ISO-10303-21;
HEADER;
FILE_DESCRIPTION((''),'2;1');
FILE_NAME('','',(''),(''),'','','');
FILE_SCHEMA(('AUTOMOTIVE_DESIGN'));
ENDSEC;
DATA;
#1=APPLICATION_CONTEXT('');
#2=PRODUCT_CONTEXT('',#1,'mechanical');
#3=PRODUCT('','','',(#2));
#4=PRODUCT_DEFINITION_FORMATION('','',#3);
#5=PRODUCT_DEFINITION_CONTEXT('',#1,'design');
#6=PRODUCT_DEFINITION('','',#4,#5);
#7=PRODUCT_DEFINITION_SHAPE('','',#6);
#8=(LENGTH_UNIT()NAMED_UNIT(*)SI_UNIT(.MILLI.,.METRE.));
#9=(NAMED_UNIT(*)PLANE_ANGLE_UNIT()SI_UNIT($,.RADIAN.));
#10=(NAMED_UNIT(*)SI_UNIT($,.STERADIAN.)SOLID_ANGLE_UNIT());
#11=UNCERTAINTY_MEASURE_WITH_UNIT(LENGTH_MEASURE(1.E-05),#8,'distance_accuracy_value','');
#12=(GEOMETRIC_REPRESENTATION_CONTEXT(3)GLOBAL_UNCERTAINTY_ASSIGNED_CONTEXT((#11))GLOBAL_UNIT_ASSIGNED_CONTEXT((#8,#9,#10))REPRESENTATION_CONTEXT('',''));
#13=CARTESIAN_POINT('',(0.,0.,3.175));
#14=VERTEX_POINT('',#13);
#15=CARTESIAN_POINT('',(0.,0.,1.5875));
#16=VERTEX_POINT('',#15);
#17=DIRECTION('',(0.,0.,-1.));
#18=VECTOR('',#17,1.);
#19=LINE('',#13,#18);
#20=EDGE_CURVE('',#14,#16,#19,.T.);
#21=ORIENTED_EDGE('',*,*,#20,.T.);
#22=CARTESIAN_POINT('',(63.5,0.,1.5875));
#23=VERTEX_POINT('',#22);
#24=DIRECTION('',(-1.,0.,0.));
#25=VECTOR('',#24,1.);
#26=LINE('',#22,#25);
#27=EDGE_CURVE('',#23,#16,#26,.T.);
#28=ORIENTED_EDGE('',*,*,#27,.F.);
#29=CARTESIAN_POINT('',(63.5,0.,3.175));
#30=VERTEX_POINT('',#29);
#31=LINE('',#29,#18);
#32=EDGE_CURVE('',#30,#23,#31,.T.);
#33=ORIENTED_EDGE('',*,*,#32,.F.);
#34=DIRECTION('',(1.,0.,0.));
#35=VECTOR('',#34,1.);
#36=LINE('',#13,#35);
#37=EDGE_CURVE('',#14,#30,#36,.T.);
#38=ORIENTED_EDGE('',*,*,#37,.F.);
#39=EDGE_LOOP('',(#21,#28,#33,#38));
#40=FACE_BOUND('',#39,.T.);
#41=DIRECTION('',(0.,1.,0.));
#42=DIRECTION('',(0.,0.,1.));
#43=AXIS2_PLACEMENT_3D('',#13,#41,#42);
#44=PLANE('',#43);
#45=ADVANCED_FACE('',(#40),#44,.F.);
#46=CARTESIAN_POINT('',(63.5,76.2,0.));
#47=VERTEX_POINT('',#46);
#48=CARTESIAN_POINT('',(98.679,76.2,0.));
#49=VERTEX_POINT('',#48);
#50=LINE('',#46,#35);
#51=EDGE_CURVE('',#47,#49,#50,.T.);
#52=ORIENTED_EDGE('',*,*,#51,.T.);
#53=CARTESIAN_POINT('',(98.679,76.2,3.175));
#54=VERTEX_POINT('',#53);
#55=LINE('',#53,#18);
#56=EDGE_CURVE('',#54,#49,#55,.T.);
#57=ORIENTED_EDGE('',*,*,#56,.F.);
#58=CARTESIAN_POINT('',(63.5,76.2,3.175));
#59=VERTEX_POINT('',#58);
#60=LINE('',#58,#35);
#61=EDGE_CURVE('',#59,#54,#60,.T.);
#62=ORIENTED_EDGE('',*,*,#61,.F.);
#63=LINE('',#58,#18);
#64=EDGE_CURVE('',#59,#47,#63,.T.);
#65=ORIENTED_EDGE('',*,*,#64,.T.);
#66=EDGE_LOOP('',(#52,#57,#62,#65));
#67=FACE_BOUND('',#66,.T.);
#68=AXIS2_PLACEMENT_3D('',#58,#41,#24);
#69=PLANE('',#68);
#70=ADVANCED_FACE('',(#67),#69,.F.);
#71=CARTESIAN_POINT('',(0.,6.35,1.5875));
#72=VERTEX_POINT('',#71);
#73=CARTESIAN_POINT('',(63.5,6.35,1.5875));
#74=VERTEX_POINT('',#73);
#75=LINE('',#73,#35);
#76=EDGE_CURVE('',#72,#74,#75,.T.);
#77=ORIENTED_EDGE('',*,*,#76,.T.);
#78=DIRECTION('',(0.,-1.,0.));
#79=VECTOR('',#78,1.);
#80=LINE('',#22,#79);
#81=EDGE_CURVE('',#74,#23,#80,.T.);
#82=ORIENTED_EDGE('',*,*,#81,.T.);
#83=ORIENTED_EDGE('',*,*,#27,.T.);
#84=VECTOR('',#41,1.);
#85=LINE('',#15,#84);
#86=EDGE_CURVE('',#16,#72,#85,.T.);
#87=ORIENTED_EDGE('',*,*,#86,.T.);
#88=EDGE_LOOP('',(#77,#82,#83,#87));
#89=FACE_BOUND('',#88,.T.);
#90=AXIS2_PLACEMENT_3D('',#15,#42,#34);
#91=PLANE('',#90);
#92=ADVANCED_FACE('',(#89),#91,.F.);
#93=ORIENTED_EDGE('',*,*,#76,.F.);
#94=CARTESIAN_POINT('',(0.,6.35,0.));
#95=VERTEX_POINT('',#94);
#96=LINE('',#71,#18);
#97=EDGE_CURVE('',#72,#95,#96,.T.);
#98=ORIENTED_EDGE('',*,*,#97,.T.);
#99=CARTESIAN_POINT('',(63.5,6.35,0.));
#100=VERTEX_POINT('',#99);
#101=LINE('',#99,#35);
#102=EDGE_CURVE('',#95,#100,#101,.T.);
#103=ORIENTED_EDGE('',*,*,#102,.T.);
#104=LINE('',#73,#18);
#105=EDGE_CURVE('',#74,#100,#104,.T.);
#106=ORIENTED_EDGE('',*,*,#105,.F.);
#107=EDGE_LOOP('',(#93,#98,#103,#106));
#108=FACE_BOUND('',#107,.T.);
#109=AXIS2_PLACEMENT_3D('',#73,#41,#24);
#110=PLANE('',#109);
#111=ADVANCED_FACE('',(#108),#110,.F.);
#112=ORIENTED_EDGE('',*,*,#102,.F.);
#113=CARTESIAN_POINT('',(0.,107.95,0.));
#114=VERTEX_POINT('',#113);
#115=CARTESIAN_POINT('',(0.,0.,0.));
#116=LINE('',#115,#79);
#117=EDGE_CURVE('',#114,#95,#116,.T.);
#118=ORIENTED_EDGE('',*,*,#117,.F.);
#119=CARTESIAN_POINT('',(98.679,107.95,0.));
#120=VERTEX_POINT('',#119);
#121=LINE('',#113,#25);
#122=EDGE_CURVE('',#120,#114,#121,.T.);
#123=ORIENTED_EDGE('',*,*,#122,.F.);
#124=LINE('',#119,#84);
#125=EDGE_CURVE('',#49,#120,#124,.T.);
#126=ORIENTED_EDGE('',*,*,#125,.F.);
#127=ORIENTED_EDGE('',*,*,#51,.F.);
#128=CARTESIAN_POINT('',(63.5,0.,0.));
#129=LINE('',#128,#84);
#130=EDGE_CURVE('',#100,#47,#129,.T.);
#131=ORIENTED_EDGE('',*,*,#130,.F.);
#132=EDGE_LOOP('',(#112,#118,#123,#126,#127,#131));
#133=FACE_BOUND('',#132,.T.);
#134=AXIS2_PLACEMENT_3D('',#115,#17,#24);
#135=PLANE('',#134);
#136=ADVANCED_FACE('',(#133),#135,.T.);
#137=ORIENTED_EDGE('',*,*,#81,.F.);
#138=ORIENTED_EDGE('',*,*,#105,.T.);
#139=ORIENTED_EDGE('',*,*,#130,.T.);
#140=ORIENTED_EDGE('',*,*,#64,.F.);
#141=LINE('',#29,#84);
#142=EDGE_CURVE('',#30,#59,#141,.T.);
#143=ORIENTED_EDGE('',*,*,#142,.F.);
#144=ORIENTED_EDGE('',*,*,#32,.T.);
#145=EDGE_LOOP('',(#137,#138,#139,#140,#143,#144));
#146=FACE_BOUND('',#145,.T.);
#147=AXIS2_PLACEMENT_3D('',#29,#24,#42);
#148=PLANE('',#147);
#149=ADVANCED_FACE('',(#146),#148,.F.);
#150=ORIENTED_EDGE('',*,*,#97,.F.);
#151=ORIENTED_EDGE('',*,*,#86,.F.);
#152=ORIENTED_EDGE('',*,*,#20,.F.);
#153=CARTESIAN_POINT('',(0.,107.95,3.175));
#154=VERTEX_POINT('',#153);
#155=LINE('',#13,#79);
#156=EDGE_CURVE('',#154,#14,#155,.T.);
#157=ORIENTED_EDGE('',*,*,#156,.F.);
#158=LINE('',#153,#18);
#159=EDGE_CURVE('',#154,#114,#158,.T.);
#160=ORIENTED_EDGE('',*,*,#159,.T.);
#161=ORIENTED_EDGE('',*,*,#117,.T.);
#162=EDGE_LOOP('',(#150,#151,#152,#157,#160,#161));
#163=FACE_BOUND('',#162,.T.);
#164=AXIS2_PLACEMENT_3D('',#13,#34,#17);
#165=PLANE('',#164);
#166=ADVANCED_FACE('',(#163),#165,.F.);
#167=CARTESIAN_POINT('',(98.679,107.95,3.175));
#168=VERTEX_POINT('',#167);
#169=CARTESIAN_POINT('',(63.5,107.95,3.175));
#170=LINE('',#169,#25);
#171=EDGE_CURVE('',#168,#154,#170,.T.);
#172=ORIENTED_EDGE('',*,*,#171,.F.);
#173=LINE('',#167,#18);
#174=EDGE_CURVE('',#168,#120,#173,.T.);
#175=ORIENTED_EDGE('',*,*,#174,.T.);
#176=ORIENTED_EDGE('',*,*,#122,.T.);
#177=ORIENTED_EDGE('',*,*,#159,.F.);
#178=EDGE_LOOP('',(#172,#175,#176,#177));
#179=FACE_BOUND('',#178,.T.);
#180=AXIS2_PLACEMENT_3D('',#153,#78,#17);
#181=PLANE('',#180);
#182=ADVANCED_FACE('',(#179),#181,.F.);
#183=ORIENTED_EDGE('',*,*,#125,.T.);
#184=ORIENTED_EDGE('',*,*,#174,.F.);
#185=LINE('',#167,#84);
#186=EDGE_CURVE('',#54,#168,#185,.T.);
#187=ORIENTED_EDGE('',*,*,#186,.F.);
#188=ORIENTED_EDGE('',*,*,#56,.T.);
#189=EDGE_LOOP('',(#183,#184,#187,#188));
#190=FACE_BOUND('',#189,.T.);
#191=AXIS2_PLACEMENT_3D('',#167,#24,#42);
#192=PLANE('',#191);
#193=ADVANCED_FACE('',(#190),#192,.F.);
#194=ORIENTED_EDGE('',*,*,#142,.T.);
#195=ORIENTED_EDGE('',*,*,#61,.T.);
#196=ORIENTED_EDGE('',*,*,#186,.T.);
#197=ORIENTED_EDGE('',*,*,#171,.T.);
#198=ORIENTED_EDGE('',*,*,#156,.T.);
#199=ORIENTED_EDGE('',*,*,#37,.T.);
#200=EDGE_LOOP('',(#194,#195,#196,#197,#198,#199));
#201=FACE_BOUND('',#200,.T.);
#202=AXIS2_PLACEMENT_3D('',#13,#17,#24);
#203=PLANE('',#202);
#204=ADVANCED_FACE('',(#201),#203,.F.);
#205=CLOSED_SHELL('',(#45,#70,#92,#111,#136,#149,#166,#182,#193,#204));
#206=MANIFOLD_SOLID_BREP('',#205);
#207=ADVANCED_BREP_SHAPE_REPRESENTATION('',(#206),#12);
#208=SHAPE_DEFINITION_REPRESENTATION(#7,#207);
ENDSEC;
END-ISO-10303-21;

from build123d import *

# Parameters (mm, degrees)
BOSS_EXTRUDE1_DEPTH = 3.175
SKETCH3_W           = 63.5
SKETCH3_H           = 6.35
CUT_EXTRUDE2_DEPTH  = 1.5875


with BuildPart() as part:
    # Sketch1 → Boss-Extrude1 (new body)
    with BuildSketch(Plane.XY):
        Polygon((0, 0), (63.5, 0), (63.5, 76.2), (98.679, 76.2), (98.679, 107.95), (63.5, 107.95), (0, 107.95), align=None)
    extrude(amount=BOSS_EXTRUDE1_DEPTH)

    # Sketch3 → Cut-Extrude2 (cut)
    with BuildSketch(Plane(origin=(0, 0, 0), x_dir=(-1, 0, 0), z_dir=(0, 0, -1))):
        with Locations((-31.75, 3.175)):
            Rectangle(SKETCH3_W, SKETCH3_H)
    extrude(amount=-CUT_EXTRUDE2_DEPTH, mode=Mode.SUBTRACT)


solid = part.part
